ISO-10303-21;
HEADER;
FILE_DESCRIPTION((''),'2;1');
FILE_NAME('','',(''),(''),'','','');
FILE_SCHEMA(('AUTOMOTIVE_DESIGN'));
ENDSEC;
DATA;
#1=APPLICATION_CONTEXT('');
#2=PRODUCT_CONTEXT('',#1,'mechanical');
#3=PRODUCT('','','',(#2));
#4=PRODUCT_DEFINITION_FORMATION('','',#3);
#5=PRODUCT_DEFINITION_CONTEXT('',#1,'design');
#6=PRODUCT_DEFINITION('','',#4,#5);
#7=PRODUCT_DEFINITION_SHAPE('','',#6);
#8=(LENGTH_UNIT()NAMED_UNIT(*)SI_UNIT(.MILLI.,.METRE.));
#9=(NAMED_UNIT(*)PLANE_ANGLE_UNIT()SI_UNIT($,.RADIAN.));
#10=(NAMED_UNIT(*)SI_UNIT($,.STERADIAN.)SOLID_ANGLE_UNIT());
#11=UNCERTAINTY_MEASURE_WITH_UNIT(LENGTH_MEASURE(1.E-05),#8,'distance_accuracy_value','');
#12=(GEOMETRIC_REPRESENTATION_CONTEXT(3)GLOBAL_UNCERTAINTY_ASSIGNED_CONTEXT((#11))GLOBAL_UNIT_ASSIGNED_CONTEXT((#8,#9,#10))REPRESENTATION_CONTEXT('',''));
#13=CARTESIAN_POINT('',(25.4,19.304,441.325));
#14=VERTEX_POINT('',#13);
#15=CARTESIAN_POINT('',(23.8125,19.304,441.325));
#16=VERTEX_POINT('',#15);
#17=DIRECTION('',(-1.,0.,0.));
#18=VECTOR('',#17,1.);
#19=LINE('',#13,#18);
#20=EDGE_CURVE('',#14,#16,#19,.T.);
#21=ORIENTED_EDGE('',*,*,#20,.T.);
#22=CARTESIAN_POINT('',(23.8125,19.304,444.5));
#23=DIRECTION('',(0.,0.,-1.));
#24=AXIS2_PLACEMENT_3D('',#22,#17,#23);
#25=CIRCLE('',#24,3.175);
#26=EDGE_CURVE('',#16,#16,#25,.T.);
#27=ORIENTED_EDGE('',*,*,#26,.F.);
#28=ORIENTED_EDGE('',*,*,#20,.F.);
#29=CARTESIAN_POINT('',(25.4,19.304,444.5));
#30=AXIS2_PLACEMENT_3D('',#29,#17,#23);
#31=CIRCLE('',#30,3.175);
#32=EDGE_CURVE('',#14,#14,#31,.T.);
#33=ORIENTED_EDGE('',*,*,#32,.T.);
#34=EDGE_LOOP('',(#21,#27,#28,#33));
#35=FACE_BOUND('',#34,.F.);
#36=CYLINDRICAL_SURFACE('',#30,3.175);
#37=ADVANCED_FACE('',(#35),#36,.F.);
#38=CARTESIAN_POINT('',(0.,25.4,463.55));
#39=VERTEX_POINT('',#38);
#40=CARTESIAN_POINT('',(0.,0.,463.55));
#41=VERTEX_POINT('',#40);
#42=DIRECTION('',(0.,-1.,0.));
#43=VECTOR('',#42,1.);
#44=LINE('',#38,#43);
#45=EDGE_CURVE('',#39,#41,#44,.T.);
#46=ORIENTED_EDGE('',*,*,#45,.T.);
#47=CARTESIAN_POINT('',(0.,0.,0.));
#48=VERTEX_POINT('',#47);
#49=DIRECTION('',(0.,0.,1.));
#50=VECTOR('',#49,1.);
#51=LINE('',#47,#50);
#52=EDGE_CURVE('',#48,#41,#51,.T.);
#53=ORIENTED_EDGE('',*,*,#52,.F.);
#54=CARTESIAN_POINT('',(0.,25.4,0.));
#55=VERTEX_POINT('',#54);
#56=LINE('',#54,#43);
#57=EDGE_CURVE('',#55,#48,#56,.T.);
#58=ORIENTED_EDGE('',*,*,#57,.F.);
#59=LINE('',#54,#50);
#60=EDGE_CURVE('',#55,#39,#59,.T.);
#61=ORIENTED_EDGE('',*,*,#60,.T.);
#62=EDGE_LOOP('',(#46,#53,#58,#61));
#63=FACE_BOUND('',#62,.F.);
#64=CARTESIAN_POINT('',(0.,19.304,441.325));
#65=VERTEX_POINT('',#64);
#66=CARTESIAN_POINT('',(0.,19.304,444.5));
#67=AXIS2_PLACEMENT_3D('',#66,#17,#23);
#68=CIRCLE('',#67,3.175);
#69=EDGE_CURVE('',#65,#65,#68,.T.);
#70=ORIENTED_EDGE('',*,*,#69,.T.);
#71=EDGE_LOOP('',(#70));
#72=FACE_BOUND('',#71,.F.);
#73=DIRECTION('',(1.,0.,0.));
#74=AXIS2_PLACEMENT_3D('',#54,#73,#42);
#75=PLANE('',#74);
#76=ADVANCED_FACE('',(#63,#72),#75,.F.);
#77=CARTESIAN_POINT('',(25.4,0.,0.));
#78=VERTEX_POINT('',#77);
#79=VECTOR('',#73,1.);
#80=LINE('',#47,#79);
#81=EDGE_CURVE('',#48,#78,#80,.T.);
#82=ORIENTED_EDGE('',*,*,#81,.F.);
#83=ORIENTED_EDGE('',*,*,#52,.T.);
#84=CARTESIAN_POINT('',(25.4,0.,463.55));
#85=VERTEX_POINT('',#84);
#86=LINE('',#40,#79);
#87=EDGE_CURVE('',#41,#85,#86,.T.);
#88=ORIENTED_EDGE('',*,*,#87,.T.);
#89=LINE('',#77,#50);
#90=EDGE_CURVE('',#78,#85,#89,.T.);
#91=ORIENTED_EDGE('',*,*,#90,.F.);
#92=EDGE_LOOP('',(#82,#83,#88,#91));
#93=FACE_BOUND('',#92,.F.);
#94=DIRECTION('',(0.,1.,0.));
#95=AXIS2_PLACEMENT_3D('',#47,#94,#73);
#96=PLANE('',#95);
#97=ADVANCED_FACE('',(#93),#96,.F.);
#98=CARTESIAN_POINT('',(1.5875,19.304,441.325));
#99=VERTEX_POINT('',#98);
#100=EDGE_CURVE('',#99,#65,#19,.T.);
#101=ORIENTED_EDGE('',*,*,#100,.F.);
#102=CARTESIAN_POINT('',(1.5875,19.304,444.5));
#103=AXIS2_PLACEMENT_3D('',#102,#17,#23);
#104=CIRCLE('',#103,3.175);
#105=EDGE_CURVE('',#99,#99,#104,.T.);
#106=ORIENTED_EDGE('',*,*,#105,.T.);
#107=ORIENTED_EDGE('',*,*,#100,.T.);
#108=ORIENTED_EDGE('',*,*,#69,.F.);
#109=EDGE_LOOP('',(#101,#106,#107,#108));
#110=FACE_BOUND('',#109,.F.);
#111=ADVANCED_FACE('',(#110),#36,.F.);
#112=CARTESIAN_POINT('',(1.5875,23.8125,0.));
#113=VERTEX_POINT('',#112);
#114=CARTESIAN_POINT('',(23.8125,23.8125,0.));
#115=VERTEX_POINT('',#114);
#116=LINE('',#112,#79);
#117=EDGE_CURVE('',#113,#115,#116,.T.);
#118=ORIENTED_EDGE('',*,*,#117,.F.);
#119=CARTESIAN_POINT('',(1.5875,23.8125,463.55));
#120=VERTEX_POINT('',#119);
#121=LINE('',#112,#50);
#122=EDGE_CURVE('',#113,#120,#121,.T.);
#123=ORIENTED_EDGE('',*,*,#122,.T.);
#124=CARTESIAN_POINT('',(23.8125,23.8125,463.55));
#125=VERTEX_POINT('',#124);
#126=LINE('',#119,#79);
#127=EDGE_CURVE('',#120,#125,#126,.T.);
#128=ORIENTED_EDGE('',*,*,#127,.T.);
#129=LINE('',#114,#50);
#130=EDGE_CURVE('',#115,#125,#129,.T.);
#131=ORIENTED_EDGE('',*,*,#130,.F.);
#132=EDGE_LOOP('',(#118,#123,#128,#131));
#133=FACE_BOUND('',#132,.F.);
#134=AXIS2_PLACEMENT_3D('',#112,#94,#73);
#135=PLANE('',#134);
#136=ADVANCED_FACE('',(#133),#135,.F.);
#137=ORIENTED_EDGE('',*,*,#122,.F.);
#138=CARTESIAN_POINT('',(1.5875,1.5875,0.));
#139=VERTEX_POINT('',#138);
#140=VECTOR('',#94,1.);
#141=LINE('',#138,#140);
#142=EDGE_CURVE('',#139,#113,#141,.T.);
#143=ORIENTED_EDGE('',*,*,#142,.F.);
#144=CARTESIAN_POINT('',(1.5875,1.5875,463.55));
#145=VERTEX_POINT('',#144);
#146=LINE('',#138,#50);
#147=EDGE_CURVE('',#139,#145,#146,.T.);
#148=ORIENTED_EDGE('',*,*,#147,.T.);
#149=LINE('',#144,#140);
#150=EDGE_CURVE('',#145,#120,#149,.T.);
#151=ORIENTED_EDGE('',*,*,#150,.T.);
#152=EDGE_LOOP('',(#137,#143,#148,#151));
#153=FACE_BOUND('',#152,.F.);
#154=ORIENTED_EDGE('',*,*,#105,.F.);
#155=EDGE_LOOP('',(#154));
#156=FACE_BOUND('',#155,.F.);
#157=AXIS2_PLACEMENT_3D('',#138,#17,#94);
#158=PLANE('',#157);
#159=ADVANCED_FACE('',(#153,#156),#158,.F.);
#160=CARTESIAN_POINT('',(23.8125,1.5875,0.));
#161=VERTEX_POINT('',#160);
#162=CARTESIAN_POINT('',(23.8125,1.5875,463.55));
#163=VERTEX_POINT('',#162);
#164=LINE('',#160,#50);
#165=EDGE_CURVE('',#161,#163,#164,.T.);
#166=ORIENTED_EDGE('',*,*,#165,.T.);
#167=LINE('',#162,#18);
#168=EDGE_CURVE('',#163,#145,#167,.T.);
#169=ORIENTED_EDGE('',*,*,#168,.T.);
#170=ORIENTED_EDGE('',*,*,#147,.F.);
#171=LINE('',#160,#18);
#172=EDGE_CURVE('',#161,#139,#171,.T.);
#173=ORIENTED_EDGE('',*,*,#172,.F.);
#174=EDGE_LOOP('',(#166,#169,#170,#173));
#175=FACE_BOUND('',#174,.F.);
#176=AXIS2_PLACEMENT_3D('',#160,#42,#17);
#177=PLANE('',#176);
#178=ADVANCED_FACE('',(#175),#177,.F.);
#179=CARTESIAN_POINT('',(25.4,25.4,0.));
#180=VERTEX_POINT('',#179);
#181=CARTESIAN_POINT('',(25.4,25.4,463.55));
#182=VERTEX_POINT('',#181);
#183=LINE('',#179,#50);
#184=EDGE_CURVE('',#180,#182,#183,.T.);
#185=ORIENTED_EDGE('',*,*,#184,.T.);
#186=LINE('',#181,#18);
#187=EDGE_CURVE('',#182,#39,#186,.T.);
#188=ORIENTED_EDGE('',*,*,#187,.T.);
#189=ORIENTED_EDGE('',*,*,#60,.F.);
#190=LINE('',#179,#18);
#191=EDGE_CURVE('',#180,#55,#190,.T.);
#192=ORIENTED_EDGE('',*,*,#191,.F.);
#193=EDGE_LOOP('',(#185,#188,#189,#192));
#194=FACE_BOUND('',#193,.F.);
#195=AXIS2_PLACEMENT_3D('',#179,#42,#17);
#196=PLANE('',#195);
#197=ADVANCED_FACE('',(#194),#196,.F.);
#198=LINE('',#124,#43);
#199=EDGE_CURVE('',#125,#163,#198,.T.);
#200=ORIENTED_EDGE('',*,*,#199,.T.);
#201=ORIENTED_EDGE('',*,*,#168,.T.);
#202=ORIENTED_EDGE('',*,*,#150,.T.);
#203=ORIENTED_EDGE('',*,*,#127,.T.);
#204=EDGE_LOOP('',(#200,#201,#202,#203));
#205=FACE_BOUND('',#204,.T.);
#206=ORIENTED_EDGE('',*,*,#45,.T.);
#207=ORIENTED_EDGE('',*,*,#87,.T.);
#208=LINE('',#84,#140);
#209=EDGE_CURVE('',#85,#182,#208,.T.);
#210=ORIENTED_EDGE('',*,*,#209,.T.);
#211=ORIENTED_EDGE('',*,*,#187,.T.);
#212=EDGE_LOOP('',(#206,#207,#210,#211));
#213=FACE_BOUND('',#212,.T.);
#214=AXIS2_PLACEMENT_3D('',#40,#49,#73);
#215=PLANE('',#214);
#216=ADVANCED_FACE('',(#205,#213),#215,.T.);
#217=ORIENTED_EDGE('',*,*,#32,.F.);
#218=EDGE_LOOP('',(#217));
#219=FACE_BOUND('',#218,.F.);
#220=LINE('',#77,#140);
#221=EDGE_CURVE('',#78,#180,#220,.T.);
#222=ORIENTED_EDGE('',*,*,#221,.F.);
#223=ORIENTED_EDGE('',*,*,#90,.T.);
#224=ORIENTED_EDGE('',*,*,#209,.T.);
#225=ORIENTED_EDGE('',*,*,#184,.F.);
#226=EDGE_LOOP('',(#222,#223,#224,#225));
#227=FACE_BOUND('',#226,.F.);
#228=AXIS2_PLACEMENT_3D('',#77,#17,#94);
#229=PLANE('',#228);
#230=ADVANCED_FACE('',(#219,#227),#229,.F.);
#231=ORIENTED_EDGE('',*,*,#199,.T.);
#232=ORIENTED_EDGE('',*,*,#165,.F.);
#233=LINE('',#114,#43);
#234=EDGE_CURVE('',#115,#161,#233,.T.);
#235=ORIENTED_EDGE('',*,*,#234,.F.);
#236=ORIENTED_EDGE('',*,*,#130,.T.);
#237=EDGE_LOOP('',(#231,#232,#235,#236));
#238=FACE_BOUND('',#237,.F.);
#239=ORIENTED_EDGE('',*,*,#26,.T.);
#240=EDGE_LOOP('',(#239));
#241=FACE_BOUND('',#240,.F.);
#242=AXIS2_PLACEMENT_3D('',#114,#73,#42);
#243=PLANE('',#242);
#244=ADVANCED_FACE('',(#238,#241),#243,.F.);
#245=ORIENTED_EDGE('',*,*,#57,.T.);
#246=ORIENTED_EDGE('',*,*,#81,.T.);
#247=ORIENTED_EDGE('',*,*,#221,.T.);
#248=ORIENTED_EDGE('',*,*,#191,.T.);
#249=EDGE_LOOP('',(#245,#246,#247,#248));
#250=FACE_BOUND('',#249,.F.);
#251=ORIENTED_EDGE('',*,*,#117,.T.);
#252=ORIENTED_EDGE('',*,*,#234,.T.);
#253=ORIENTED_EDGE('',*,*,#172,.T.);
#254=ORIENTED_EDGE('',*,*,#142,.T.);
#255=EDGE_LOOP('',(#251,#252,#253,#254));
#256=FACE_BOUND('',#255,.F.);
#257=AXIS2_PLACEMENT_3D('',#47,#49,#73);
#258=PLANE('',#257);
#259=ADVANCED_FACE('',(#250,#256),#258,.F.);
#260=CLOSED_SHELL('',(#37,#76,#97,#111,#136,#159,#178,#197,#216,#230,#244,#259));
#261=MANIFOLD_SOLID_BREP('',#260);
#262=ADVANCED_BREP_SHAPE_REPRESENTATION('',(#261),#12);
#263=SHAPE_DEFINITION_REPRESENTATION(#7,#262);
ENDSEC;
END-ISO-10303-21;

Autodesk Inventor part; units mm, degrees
ref_plane "YZ Plane" through (0, 0, 0) normal (1, 0, 0) x (0, 1, 0)
ref_plane "XZ Plane" through (0, 0, 0) normal (0, 1, 0) x (-1, 0, 0)
ref_plane "XY Plane" through (0, 0, 0) normal (0, 0, 1) x (1, 0, 0)
sketch "Sketch1" plane through (0, 0, 0) normal (0, 0, 1) x (1, 0, 0)
  line L0 (0, 0) -> (25.4, 0)
  line L1 (25.4, 0) -> (25.4, 25.4)
  line L2 (25.4, 25.4) -> (0, 25.4)
  line L3 (0, 25.4) -> (0, 0)
  line L4 (1.5875, 23.8125) -> (23.8125, 23.8125)
  line L5 (23.8125, 23.8125) -> (23.8125, 1.5875)
  line L6 (23.8125, 1.5875) -> (1.5875, 1.5875)
  line L7 (1.5875, 1.5875) -> (1.5875, 23.8125)
  dimension "d0" = 25.4
  dimension "d1" = 1.5875
extrude "Extrusion1" add sketch "Sketch1" along normal blind 463.55
sketch "Sketch2" plane through (25.4, 0, 0) normal (1, 0, 0) x (0, 0, -1)
  line L0 (0, 25.4) -> (-463.55, 25.4) projected
  line L1 (-463.55, 0) -> (-463.55, 25.4) projected
  line L2 (0, 0) -> (-463.55, 0) projected
  point P0 (-444.5, 19.304)
  dimension "d5" = 19.05
  dimension "d13" = 19.304
hole "Hole1" at (25.4, 19.304, 444.5) direction (-1, 0, 0) diameter 6.35 end through all
properties part number "CLB_075_ScissorBase"
